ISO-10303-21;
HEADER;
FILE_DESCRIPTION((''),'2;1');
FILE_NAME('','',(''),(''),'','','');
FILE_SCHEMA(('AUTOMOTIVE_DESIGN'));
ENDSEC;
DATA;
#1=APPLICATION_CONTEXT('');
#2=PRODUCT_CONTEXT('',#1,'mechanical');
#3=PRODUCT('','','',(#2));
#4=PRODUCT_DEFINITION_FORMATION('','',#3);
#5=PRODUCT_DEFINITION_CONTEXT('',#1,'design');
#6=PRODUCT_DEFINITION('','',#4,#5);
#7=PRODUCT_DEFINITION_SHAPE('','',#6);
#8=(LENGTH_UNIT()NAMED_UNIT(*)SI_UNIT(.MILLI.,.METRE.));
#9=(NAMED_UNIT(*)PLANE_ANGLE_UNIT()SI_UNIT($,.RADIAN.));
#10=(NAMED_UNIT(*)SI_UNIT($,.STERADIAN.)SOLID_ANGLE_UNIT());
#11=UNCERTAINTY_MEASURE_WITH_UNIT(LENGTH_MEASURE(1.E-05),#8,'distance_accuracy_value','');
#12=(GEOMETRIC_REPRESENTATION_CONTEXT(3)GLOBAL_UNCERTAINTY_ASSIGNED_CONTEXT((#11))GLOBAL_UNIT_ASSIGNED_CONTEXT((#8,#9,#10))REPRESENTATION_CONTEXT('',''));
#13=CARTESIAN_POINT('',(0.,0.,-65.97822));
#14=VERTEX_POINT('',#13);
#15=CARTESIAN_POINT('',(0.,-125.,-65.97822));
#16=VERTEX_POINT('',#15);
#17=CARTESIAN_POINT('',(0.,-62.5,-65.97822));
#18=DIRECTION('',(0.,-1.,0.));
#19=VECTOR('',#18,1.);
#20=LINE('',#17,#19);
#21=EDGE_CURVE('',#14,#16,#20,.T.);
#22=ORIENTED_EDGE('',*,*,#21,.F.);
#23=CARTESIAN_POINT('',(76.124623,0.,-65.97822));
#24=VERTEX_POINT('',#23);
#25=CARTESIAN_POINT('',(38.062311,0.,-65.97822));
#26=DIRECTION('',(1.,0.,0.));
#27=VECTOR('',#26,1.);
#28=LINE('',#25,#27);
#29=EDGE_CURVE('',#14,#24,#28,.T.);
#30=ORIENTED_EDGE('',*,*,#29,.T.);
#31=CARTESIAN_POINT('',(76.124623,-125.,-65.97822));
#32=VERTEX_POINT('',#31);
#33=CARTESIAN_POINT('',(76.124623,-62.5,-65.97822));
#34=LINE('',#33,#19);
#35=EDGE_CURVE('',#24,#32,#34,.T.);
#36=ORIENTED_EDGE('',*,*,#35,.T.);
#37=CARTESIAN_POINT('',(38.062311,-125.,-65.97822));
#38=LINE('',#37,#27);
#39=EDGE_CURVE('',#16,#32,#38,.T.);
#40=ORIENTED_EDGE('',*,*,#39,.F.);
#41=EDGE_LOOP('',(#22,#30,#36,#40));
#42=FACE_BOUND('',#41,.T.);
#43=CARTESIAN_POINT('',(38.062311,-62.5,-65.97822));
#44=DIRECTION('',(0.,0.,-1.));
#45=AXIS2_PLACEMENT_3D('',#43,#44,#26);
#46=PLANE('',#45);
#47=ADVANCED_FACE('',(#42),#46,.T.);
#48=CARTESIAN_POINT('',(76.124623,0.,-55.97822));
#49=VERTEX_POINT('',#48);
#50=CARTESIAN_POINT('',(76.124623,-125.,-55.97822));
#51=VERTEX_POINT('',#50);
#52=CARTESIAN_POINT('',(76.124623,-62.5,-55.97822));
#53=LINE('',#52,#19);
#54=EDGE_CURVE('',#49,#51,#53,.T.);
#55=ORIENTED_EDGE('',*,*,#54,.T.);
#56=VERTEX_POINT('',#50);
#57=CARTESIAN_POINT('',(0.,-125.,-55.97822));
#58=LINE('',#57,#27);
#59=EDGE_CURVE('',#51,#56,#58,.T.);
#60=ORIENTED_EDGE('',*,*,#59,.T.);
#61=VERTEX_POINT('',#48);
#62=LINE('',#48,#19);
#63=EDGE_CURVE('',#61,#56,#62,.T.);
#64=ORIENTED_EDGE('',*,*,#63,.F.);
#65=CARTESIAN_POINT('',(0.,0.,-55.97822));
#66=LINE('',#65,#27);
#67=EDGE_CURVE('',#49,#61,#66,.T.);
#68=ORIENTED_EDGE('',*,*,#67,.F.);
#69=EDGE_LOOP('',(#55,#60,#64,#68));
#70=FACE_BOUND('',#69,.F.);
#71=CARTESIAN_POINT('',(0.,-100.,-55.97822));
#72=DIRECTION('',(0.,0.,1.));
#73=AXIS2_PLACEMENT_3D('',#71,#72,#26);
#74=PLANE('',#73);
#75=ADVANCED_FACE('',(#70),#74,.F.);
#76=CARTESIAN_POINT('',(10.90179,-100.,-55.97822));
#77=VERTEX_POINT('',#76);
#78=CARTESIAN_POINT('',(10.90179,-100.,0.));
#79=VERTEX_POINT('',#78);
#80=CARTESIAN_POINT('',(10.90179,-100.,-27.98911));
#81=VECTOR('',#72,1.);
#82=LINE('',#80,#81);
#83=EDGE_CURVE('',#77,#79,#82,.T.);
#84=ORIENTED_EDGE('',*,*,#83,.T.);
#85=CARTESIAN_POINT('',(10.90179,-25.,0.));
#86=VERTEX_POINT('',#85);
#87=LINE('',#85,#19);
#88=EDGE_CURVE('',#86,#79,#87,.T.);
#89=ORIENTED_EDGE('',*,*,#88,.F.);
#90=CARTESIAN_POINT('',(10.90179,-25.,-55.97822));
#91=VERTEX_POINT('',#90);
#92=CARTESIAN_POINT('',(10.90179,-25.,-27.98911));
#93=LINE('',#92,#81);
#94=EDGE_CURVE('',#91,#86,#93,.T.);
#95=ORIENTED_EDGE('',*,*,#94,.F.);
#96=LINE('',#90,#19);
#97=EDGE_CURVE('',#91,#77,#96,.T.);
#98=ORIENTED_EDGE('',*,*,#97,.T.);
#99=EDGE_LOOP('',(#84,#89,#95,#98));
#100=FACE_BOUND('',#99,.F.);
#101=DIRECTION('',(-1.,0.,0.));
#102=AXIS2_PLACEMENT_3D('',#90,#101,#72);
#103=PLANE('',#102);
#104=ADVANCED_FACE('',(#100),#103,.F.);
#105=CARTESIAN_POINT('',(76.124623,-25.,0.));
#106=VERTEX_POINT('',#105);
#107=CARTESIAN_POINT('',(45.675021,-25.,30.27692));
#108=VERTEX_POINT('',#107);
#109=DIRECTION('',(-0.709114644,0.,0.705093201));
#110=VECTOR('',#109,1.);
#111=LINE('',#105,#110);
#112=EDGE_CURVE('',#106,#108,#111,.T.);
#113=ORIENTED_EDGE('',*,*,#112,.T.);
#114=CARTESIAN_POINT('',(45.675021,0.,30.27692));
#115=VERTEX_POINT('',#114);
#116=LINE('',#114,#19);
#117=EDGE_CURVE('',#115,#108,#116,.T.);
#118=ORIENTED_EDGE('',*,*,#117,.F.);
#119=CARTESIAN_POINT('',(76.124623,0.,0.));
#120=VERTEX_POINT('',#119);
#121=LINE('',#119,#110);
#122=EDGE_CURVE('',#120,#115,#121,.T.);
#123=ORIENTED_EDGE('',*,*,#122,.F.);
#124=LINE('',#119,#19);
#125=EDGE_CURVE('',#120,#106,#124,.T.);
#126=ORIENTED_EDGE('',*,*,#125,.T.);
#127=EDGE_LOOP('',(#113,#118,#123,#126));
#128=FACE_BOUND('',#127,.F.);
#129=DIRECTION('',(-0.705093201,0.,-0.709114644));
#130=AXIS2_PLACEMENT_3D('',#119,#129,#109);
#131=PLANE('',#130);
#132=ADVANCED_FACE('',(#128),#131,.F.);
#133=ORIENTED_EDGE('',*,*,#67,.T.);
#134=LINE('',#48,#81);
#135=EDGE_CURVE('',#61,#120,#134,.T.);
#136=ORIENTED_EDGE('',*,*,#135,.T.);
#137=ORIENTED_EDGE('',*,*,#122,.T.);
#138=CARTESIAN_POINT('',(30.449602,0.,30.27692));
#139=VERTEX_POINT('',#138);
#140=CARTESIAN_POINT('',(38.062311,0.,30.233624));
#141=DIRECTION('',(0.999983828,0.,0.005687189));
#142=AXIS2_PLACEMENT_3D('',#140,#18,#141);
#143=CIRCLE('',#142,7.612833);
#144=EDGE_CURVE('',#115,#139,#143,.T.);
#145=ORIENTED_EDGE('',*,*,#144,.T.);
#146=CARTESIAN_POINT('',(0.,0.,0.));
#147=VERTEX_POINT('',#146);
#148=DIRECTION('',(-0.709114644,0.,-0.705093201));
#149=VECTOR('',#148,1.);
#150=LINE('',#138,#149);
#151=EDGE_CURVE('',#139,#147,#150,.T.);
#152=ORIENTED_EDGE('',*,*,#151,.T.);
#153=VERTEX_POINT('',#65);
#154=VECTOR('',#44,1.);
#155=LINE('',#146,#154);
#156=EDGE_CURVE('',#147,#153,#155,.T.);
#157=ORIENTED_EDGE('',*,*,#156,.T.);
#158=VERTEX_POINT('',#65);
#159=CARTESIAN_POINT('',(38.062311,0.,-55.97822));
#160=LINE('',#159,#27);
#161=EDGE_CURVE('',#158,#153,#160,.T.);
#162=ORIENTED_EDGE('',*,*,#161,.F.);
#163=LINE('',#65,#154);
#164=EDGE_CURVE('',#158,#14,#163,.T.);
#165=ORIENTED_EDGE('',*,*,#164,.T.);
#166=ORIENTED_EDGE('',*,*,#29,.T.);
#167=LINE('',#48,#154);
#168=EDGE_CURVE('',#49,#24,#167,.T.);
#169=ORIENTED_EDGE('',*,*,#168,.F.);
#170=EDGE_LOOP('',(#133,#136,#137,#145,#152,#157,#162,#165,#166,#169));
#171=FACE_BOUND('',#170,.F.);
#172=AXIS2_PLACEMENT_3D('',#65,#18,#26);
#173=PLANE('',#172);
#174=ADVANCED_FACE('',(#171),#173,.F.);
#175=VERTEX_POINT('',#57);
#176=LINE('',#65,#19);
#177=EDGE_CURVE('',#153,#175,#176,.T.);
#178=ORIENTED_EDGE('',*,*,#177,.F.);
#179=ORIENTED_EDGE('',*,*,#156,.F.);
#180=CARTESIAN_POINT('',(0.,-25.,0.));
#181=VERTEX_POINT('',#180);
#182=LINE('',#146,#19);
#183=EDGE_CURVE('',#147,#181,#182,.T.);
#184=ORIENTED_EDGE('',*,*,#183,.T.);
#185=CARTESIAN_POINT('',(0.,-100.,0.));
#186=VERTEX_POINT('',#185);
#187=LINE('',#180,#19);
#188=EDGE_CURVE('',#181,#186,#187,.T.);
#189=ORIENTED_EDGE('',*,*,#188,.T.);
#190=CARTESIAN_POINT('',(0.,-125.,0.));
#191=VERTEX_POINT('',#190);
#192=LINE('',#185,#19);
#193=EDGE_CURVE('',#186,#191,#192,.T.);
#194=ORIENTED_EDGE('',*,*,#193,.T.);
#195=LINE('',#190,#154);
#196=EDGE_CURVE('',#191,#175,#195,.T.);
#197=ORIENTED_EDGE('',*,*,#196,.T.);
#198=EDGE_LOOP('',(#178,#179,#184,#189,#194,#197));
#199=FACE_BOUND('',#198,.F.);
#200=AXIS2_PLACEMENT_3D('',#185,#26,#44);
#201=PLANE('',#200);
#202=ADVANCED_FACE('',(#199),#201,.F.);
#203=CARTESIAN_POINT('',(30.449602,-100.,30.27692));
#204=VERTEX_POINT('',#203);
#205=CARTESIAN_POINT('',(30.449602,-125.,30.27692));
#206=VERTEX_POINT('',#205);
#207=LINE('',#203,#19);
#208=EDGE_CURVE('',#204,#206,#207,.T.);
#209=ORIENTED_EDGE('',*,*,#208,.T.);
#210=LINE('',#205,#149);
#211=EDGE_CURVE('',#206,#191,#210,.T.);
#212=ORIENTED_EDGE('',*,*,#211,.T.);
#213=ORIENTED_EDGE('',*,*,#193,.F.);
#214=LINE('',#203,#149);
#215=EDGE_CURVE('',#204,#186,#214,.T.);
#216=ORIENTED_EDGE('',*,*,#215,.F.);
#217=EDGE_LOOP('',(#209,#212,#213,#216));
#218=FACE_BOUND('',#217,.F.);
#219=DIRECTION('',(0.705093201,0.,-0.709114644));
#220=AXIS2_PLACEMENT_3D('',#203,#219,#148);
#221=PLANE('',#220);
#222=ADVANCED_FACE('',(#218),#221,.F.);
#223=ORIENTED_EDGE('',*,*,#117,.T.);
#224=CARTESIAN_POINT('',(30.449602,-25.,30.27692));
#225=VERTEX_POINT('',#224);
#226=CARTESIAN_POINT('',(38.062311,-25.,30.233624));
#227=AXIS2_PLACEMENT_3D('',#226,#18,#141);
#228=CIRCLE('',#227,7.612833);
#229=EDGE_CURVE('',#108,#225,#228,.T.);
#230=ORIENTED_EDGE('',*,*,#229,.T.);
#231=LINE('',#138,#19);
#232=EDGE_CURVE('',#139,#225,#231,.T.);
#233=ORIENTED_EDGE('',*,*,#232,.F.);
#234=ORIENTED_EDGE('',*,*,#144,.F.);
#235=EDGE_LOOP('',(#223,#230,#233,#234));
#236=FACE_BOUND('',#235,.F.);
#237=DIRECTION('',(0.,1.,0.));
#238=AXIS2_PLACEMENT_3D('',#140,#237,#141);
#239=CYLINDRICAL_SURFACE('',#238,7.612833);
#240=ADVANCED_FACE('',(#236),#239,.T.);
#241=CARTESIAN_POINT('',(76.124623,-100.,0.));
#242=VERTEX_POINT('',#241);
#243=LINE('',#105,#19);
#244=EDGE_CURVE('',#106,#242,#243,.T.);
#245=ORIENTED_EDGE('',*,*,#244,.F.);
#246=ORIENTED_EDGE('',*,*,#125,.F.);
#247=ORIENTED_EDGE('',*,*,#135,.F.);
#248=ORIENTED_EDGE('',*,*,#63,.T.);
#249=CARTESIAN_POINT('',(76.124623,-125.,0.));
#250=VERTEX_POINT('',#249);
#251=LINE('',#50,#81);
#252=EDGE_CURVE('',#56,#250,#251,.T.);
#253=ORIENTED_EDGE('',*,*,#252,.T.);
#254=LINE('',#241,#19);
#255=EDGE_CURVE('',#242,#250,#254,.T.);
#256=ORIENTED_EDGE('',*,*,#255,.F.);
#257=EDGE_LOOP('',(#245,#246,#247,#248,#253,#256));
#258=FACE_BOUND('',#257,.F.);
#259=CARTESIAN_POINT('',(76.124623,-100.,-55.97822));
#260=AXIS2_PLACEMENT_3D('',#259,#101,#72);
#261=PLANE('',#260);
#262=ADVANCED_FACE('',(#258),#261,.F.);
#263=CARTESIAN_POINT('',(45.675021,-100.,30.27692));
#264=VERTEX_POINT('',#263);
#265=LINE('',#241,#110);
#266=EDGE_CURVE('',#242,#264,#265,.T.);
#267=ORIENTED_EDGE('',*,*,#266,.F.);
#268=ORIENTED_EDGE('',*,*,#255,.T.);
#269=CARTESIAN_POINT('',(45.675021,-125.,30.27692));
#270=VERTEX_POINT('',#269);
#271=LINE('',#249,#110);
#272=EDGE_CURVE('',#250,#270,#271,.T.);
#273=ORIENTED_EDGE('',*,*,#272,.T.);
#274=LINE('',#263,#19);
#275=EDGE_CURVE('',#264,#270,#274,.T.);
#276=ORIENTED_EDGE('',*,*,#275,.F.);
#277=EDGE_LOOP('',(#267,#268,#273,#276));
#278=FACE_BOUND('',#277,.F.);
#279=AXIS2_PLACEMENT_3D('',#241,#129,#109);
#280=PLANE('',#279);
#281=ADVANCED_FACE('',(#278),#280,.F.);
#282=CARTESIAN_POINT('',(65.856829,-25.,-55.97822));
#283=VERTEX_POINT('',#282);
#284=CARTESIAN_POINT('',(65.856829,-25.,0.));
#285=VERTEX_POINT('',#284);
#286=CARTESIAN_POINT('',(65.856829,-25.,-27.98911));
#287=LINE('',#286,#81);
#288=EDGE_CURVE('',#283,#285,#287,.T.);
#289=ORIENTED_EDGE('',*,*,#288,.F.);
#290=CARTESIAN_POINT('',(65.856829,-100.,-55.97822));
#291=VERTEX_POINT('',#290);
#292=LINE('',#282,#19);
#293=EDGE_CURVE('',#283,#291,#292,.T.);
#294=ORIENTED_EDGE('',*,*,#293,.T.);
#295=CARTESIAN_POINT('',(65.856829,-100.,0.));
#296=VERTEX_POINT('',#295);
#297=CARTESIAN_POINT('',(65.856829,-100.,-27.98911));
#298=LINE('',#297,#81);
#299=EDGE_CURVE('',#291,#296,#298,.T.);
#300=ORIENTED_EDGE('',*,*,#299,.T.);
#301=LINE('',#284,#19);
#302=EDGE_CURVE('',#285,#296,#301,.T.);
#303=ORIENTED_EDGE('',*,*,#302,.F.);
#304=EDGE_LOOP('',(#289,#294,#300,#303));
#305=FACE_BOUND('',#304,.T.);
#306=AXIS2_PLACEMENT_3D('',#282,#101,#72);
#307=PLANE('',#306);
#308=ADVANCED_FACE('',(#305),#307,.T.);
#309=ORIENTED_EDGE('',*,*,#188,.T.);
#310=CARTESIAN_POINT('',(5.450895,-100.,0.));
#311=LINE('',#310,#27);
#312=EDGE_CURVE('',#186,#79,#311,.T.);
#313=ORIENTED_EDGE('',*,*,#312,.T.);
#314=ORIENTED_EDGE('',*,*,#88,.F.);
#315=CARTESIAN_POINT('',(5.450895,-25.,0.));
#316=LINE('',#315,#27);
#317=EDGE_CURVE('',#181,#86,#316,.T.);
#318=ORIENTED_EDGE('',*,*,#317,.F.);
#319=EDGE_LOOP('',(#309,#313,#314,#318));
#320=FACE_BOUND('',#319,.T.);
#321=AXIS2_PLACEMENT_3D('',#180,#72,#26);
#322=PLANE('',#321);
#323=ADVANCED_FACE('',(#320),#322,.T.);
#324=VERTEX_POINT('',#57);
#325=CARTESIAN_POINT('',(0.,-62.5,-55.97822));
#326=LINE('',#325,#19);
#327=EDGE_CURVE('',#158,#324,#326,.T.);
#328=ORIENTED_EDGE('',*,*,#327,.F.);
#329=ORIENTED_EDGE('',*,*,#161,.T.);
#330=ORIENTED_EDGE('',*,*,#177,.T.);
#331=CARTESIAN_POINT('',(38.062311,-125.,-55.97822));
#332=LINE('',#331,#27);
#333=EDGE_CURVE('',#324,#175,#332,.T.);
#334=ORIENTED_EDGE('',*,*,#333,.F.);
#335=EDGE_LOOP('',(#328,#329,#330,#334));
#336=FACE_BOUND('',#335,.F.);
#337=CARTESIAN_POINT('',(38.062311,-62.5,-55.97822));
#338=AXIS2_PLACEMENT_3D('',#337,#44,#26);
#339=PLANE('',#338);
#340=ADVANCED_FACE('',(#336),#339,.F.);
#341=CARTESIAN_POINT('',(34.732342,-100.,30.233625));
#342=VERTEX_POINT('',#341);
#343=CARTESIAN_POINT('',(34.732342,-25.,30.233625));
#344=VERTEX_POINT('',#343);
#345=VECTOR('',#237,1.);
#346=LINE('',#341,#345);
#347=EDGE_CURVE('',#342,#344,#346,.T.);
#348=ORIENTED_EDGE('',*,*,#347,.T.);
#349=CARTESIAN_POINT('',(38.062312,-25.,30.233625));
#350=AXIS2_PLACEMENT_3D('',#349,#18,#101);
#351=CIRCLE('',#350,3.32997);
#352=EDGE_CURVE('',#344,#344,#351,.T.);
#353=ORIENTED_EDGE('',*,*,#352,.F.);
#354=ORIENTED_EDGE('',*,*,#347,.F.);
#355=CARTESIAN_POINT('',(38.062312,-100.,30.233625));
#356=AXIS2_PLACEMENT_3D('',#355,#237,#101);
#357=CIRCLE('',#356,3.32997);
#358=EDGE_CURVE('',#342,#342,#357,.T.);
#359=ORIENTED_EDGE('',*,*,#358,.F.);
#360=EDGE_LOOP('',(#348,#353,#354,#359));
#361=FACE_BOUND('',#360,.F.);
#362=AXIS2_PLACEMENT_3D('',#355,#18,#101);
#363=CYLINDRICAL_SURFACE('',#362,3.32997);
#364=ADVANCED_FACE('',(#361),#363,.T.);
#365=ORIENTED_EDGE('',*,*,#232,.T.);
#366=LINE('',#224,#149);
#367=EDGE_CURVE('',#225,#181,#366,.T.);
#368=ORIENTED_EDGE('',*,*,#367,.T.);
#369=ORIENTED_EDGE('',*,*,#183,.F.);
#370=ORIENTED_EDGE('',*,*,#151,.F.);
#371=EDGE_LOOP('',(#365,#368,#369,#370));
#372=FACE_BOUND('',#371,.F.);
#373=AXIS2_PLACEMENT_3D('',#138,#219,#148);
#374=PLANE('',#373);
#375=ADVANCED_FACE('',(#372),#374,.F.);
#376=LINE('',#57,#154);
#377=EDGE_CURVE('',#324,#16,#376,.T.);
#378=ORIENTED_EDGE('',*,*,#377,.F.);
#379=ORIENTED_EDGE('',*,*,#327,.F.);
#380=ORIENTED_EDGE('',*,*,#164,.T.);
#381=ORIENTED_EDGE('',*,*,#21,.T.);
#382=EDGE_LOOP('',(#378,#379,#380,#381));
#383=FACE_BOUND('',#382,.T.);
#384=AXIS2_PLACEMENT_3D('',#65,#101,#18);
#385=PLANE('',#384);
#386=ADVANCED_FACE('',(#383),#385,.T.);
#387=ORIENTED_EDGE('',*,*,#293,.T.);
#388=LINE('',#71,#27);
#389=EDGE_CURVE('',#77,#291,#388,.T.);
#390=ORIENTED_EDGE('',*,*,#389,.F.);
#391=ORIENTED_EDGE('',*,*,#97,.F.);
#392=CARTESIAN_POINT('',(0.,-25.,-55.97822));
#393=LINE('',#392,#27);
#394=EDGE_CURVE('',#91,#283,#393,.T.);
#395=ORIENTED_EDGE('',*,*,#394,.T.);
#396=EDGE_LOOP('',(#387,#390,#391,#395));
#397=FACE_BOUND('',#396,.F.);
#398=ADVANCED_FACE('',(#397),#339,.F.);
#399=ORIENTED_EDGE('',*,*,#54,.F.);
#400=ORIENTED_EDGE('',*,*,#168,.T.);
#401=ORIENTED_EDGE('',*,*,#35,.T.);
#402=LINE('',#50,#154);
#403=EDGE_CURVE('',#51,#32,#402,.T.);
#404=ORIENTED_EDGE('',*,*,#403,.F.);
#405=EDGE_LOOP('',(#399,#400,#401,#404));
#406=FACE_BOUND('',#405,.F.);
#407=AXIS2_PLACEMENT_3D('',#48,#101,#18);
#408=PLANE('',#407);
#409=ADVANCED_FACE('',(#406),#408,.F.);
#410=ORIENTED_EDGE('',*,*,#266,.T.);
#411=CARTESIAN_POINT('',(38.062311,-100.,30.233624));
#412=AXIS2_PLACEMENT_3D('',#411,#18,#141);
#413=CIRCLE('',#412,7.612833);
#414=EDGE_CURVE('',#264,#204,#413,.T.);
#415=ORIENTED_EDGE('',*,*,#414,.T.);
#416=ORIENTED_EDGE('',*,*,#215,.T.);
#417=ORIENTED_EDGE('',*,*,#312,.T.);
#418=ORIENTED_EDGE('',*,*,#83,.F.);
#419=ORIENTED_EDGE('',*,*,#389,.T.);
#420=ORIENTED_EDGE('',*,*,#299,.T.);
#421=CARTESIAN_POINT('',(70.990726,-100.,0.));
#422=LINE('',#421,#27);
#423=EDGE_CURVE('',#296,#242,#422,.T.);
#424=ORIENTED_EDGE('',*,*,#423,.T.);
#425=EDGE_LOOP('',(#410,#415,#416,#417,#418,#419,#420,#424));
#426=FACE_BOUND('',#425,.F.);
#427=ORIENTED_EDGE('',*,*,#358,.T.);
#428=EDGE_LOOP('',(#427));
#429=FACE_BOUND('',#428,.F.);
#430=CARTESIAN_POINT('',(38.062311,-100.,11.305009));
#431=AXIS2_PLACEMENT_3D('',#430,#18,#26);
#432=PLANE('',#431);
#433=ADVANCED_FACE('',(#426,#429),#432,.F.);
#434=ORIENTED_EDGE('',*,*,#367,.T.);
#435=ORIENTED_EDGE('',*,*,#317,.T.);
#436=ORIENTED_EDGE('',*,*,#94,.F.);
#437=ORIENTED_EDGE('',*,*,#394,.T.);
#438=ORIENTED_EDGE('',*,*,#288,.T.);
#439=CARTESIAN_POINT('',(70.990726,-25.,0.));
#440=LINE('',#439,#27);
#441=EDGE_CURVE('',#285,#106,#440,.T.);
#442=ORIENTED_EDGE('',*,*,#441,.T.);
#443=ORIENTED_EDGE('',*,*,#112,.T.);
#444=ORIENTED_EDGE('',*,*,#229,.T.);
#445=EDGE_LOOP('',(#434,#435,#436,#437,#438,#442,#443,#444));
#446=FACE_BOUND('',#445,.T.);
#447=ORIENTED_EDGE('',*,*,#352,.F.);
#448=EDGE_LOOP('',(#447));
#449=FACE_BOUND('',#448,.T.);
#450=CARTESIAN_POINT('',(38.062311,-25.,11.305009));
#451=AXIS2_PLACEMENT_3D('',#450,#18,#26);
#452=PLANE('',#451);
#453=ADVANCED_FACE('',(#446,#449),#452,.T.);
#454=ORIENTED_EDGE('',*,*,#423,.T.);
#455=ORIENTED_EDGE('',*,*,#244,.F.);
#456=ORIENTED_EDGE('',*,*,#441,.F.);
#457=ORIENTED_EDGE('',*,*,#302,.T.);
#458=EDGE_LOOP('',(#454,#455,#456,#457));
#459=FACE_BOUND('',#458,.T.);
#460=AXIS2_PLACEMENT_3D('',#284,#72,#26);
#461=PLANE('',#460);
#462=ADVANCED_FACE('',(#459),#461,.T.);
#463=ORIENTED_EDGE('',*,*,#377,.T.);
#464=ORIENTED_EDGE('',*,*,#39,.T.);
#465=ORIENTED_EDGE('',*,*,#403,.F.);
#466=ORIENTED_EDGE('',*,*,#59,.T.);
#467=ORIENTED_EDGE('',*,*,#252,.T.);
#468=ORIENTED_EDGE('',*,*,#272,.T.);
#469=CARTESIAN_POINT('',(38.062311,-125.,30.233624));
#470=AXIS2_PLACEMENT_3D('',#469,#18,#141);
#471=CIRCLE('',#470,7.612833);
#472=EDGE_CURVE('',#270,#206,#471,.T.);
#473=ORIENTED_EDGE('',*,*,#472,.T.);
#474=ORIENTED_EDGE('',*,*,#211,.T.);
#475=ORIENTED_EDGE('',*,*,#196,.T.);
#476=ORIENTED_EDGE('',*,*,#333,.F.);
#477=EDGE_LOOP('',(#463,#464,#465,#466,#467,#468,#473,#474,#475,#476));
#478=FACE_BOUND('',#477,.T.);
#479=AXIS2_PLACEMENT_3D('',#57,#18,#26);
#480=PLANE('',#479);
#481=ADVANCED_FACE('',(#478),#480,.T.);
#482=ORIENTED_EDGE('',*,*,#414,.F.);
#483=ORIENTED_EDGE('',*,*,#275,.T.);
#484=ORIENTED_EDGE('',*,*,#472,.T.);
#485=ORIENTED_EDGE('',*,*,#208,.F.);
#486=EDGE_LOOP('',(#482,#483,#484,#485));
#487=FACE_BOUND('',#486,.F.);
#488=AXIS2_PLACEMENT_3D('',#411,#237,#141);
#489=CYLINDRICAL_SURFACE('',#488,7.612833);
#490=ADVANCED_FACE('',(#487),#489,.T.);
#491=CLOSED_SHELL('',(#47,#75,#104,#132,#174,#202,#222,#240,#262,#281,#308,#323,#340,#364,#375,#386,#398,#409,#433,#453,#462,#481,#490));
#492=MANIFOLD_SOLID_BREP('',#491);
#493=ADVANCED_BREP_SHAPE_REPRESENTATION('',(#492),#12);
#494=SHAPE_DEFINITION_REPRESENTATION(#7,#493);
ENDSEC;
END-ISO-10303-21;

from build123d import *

# Parameters (mm, degrees)
F1_DEPTH = 25
F2_W     = 10.90179
F2_H     = 55.97822
F2_W_2   = 10.267794
F3_DEPTH = 75
F5_DEPTH = 25
F6_R     = 3.32997
F7_DEPTH = 89.4
F8_W     = 76.124623
F8_H     = 125
F9_DEPTH = 10


with BuildPart() as f1:
    # F0 (on Front) → F1 (new body)
    with BuildSketch(Plane.XZ):
        with BuildLine():
            Line((30.449602, 30.27692), (0, 0))
            Line((0, 0), (38.062312, 0))
            Line((38.062312, 0), (76.124623, 0))
            Line((76.124623, 0), (45.675021, 30.27692))
            ThreePointArc((45.675021, 30.27692), (38.062312, 37.846457), (30.449602, 30.27692))
        make_face()
        Polygon((38.062312, 0), (0, 0), (0, -55.97822), (76.124623, -55.97822), (76.124623, 0), align=None)
    extrude(amount=F1_DEPTH)

    # F2 (on face) → F3 (join)
    with BuildSketch(Plane.XZ.offset(25)):
        with Locations((5.450895, -27.98911)):
            Rectangle(F2_W, F2_H)
        with Locations((70.990726, -27.98911)):
            Rectangle(F2_W_2, F2_H)
    extrude(amount=F3_DEPTH)

    # F4 (on face) → F5 (join)
    with BuildSketch(Plane.XZ.offset(100)):
        with BuildLine():
            Line((30.449602, 30.27692), (0, 0))
            Line((0, 0), (38.062312, 0))
            Line((38.062312, 0), (76.124623, 0))
            Line((76.124623, 0), (45.675021, 30.27692))
            ThreePointArc((45.675021, 30.27692), (38.062312, 37.846457), (30.449602, 30.27692))
        make_face()
        Polygon((38.062312, 0), (0, 0), (0, -55.97822), (76.124623, -55.97822), (76.124623, 0), align=None)
    extrude(amount=F5_DEPTH)

    # F6 (on face) → F7 (join)
    with BuildSketch(Plane(origin=(0, -100, 0), x_dir=(-1, 0, 0), z_dir=(0, 1, 0))):
        with Locations((-38.062312, 30.233625)):
            Circle(F6_R)
    extrude(amount=F7_DEPTH)

    # F8 (on face) → F9 (join)
    with BuildSketch(Plane(origin=(0, 0, -55.97822), x_dir=(1, 0, 0), z_dir=(0, 0, -1))):
        with Locations((38.062311, 62.5)):
            Rectangle(F8_W, F8_H)
    extrude(amount=F9_DEPTH)


solid = f1.part
